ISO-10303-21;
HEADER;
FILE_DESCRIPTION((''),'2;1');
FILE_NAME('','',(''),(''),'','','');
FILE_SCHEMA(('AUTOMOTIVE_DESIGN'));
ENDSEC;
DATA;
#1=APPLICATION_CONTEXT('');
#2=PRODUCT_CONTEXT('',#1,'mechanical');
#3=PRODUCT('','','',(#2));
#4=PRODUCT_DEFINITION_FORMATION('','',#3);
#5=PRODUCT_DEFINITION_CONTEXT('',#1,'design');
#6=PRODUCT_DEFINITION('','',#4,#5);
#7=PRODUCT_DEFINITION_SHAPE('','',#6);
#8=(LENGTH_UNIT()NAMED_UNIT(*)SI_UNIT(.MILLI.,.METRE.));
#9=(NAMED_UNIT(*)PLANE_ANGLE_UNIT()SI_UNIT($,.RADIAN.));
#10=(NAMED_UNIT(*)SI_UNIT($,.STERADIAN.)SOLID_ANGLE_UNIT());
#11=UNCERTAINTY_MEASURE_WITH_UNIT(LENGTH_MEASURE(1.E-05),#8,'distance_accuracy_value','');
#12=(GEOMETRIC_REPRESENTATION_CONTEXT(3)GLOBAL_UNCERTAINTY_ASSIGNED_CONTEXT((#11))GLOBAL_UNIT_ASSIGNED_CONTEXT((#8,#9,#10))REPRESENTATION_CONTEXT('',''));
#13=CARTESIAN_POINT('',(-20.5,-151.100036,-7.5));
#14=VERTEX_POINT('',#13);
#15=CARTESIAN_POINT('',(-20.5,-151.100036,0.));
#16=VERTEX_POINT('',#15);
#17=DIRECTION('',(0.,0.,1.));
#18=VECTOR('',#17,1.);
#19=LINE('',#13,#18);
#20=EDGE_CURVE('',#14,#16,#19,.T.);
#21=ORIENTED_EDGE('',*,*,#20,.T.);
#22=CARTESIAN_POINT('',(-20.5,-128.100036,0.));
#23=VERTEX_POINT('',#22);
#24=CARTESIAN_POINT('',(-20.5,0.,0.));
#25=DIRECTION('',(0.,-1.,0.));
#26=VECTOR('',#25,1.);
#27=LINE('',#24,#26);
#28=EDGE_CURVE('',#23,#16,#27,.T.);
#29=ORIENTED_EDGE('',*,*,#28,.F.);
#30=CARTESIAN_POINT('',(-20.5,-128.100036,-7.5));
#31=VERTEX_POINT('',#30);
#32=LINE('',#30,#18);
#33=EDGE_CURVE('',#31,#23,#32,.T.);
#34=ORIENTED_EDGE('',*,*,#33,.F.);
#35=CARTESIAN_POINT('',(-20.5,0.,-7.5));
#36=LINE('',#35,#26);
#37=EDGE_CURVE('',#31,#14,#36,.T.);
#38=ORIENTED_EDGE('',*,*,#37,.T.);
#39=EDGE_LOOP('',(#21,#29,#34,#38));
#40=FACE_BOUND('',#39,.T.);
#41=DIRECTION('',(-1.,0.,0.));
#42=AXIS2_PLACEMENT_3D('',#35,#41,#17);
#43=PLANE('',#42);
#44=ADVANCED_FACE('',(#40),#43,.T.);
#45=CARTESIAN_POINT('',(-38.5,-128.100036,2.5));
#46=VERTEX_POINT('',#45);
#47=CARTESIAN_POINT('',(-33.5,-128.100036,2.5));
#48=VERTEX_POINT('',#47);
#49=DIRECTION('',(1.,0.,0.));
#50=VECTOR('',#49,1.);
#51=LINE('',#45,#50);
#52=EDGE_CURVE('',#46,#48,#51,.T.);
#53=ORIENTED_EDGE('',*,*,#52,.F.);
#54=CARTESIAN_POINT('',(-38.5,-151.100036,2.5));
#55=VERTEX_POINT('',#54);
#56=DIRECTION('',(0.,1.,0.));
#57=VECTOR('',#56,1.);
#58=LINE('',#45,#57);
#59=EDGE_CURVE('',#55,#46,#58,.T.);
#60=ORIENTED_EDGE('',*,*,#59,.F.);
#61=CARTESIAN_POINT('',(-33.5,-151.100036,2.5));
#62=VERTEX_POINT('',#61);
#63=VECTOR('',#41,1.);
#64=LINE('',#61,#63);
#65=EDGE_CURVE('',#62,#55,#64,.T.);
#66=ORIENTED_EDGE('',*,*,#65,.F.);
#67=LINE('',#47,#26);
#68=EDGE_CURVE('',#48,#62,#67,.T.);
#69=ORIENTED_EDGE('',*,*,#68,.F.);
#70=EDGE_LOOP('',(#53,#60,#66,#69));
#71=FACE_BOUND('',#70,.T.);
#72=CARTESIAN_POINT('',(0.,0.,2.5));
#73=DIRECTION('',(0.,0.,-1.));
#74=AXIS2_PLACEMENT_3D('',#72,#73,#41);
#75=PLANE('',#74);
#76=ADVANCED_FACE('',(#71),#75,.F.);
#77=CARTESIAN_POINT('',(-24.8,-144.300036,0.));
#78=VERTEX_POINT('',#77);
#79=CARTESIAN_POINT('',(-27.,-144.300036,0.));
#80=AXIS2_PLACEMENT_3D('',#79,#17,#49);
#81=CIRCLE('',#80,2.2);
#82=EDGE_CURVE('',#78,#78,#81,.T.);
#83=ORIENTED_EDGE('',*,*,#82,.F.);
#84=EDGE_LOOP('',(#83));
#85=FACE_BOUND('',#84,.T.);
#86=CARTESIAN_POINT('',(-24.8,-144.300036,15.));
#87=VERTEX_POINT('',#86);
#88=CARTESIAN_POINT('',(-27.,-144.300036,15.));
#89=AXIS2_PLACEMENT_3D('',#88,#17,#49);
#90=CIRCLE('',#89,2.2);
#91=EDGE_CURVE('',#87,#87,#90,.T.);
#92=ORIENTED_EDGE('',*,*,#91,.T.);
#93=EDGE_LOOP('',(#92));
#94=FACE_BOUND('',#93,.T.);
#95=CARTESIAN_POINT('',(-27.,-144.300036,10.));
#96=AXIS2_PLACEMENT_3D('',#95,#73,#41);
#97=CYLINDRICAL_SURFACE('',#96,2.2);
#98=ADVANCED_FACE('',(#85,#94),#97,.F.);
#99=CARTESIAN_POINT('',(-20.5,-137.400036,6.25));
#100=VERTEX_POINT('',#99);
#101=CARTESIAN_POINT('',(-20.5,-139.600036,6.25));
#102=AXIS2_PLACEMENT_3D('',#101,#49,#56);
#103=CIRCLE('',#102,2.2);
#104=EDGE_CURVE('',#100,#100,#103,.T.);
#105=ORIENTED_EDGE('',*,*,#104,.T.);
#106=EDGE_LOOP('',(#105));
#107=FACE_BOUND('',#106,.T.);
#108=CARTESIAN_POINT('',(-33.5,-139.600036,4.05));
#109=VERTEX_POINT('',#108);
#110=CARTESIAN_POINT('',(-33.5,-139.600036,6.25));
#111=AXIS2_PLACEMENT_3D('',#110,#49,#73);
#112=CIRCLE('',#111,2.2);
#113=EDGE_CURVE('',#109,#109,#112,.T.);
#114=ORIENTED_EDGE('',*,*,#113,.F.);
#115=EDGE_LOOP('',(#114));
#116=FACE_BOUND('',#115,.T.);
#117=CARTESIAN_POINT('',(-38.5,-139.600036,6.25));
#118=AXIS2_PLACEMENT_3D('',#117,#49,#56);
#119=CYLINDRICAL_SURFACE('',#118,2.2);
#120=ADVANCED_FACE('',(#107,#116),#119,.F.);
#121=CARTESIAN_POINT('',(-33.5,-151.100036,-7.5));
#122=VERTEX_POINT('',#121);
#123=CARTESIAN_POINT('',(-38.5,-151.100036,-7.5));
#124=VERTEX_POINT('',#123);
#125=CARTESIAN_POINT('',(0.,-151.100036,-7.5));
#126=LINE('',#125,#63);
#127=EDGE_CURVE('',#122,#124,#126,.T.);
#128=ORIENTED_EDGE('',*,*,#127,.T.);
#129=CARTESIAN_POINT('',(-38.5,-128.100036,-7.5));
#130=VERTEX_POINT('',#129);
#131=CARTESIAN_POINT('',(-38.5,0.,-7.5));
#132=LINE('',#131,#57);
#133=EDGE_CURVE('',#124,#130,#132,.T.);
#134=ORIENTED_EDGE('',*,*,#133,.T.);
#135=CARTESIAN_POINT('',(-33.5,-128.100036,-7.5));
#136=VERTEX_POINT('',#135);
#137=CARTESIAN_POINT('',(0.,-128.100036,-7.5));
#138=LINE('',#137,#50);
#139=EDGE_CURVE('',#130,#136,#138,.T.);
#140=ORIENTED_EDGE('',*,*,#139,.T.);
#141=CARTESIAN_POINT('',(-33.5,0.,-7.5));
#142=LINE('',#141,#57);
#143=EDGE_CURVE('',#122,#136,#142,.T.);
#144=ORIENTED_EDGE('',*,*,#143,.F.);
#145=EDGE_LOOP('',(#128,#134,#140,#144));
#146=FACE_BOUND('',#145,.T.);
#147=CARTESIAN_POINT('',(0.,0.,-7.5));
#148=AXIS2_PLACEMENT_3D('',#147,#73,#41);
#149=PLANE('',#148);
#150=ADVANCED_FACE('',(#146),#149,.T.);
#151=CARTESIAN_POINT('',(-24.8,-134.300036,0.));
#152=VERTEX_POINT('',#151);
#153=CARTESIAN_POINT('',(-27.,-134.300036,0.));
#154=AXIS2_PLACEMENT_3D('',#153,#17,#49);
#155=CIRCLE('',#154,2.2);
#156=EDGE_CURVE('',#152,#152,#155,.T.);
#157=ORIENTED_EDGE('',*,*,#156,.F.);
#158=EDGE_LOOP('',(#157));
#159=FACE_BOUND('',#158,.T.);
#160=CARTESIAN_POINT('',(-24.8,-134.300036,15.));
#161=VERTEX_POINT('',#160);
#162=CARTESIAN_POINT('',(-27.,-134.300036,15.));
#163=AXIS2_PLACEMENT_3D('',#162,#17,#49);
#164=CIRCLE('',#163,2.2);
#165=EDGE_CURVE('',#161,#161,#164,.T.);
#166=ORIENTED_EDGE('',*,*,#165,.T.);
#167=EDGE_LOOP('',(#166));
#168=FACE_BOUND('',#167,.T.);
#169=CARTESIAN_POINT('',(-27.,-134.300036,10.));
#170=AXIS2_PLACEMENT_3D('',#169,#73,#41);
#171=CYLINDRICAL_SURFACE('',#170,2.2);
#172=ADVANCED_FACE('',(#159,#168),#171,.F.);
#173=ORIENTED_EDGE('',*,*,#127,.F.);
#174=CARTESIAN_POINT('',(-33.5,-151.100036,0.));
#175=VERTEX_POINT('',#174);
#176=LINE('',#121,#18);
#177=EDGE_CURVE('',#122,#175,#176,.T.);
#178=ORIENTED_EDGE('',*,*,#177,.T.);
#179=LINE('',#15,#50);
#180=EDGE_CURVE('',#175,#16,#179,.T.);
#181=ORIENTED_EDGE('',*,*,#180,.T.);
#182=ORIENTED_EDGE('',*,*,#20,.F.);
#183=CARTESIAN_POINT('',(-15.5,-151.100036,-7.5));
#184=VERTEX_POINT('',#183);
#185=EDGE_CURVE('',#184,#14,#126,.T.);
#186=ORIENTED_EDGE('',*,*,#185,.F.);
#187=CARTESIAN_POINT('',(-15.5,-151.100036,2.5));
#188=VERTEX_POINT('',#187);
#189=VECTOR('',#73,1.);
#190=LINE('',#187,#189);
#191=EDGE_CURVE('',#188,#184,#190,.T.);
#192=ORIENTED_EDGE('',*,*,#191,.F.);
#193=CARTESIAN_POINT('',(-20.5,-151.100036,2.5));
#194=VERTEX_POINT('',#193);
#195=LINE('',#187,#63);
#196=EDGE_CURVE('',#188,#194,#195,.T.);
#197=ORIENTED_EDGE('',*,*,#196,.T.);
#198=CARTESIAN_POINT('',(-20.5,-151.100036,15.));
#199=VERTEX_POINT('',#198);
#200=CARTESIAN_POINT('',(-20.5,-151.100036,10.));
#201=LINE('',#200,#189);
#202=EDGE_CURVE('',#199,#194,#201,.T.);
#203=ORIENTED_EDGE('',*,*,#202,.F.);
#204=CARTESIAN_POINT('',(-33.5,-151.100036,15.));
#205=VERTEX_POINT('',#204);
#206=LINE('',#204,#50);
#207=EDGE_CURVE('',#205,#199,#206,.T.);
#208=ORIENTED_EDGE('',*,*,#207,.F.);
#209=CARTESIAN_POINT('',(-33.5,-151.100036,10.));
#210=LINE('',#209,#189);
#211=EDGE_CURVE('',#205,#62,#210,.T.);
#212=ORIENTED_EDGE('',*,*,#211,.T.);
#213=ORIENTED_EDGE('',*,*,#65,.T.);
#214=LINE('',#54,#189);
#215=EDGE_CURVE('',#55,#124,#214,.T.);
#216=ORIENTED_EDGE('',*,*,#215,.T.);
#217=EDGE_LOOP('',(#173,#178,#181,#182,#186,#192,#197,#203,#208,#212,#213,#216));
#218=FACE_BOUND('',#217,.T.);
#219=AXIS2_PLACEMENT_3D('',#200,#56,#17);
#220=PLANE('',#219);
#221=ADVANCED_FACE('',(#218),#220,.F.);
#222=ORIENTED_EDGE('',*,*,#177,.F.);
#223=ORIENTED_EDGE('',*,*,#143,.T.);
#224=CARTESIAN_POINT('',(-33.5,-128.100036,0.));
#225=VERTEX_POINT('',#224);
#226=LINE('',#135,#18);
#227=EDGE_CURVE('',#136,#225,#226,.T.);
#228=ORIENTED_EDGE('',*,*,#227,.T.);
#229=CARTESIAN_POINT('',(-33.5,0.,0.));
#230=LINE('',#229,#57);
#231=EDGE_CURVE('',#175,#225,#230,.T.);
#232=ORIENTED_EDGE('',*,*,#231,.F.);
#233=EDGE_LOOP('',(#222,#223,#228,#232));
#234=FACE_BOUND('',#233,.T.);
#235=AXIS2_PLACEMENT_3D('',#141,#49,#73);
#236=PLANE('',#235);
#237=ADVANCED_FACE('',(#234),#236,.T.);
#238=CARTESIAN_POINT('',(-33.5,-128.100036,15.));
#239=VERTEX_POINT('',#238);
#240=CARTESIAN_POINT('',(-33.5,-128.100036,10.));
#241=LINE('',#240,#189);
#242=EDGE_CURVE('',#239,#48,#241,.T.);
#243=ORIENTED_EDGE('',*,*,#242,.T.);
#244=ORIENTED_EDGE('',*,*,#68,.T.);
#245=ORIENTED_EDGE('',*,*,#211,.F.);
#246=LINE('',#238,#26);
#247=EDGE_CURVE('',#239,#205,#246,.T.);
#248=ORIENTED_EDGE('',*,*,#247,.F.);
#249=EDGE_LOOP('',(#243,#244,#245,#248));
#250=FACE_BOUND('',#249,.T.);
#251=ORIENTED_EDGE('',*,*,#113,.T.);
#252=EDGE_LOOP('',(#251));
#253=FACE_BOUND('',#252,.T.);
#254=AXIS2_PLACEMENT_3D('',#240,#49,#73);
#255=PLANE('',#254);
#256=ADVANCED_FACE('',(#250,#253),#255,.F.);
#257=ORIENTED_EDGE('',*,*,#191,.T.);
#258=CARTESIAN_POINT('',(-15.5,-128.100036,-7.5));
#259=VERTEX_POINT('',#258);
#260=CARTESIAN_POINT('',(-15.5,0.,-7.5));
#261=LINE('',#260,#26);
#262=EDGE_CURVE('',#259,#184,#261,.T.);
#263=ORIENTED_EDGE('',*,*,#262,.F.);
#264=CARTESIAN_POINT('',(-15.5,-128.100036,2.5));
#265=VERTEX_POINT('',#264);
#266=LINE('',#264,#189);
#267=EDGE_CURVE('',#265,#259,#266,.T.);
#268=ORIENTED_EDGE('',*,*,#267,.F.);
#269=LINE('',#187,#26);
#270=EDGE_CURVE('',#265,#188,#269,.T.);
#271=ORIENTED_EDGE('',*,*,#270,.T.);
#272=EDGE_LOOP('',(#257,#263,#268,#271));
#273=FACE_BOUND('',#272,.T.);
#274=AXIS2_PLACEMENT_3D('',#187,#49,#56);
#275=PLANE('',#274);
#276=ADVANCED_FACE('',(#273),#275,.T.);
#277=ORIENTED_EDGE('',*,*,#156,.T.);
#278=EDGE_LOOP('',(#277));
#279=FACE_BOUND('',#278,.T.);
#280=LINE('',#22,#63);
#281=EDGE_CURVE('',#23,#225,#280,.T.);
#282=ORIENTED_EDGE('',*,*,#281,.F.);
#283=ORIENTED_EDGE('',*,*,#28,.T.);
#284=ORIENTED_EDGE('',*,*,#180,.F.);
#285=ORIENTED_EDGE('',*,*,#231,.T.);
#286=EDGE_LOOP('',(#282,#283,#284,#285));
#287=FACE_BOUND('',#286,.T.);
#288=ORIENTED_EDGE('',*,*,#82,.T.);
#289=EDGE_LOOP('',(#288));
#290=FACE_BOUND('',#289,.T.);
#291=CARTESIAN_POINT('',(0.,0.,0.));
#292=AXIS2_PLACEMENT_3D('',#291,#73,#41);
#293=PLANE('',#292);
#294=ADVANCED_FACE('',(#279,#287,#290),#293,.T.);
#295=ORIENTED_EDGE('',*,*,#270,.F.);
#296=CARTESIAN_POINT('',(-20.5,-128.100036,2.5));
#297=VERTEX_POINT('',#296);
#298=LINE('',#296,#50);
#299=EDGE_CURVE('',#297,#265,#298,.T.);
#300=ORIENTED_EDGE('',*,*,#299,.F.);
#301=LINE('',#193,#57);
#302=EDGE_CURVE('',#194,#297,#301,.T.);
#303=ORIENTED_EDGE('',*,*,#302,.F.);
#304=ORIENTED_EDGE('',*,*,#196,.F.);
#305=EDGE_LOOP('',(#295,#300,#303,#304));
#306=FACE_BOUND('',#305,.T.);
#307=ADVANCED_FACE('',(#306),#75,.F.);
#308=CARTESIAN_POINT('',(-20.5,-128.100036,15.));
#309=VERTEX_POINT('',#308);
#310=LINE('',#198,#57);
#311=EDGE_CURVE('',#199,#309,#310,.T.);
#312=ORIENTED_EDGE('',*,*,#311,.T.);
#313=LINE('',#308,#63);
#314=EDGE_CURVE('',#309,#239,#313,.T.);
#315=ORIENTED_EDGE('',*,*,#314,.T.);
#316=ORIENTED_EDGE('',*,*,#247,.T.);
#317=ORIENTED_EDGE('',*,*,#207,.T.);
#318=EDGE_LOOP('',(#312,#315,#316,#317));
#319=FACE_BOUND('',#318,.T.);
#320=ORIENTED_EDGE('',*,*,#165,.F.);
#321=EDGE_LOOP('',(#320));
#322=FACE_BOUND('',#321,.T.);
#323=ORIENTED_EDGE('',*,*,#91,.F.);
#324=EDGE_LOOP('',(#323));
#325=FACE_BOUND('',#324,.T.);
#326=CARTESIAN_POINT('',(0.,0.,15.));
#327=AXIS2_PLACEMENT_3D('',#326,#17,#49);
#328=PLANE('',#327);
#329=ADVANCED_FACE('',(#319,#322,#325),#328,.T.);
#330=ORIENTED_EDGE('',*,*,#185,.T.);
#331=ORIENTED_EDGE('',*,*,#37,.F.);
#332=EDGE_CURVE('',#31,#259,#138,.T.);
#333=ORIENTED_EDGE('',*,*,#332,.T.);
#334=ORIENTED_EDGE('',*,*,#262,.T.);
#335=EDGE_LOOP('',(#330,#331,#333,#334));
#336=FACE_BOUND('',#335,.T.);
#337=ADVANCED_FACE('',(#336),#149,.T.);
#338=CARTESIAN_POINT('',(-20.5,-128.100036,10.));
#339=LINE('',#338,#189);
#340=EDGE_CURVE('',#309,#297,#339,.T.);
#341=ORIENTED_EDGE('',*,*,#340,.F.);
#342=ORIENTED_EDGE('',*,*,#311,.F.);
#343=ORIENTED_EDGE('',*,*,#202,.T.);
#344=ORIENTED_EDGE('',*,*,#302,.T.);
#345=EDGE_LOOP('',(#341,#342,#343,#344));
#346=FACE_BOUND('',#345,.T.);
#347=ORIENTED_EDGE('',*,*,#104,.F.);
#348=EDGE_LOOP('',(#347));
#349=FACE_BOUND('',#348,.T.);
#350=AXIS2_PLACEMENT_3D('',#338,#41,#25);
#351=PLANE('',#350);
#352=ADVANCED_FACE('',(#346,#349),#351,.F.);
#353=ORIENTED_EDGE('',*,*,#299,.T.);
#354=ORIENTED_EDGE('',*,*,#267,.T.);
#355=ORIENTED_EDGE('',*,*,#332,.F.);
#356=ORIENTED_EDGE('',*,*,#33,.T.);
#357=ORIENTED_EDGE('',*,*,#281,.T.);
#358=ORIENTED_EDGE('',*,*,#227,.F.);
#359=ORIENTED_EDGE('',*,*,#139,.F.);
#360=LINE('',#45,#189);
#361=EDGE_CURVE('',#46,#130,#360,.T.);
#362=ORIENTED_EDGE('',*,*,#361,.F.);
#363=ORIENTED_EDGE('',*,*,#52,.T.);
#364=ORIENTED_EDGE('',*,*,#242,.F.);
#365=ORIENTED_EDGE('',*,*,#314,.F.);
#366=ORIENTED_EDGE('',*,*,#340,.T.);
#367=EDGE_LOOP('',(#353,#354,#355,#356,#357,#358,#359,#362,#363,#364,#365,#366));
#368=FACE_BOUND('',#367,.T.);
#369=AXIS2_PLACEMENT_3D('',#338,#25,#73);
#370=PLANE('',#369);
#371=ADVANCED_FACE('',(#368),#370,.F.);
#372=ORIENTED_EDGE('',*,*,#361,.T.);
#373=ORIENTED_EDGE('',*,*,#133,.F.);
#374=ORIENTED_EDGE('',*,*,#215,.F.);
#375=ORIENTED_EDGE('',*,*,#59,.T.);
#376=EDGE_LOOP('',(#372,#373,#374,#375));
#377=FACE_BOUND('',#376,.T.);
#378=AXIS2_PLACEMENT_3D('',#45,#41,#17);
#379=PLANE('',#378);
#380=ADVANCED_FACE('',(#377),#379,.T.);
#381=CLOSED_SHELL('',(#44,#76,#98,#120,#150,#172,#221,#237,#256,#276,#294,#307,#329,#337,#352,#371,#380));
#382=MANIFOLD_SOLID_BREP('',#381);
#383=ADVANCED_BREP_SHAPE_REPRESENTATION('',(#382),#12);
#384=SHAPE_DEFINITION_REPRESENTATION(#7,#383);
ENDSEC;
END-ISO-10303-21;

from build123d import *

# Parameters (mm, degrees)
SKETCH2_W           = 13
SKETCH2_H           = 23
SKETCH2_R           = 2.2
BOSS_EXTRUDE1_DEPTH = 10
SKETCH5_W           = 5
SKETCH5_H           = 23
BOSS_EXTRUDE2_DEPTH = 2.5
SKETCH6_W           = 5
SKETCH6_H           = 23
BOSS_EXTRUDE3_DEPTH = 7.5
CUT_EXTRUDE2_DEPTH  = 153.496625691
SKETCH8_W           = 13
SKETCH8_H           = 23
SKETCH8_R           = 2.2
BOSS_EXTRUDE4_DEPTH = 5


with BuildPart() as part:
    # Sketch2 → Boss-Extrude1 (new body)
    with BuildSketch(Plane.XY):
        with Locations((-27, -139.600035894)):
            Rectangle(SKETCH2_W, SKETCH2_H)
        with Locations((-27, -144.300035894)):
            Circle(SKETCH2_R, mode=Mode.SUBTRACT)
        with Locations((-27, -134.300035894)):
            Circle(SKETCH2_R, mode=Mode.SUBTRACT)
    extrude(amount=BOSS_EXTRUDE1_DEPTH)

    # Sketch5 → Boss-Extrude2 (add)
    with BuildSketch(Plane(origin=(0, 0, 0), x_dir=(-1, 0, 0), z_dir=(0, 0, -1))):
        with Locations((18, -139.600035894)):
            Rectangle(SKETCH5_W, SKETCH5_H)
        with Locations((36, -139.600035894)):
            Rectangle(SKETCH5_W, SKETCH5_H)
    extrude(amount=-BOSS_EXTRUDE2_DEPTH)

    # Sketch6 → Boss-Extrude3 (add)
    with BuildSketch(Plane(origin=(0, 0, 0), x_dir=(-1, 0, 0), z_dir=(0, 0, -1))):
        with Locations((18, -139.600035894)):
            Rectangle(SKETCH6_W, SKETCH6_H)
        with Locations((36, -139.600035894)):
            Rectangle(SKETCH6_W, SKETCH6_H)
    extrude(amount=BOSS_EXTRUDE3_DEPTH)

    # Sketch7 → Cut-Extrude2 (cut, through all)
    with BuildSketch(Plane(origin=(-20.5, 0, 0), x_dir=(0, 0, -1), z_dir=(1, 0, 0))):
        with BuildLine():
            ThreePointArc((-6.25, -137.400035894), (-8.45, -139.600035894), (-6.25, -141.800035894))
            Line((-6.25, -141.800035894), (-6.25, -137.400035894))
        make_face()
        with BuildLine():
            Line((-6.25, -137.400035894), (-6.25, -141.800035894))
            ThreePointArc((-6.25, -141.800035894), (-4.694365081, -141.155670812), (-4.05, -139.600035894))
            ThreePointArc((-4.05, -139.600035894), (-4.694365081, -138.044400975), (-6.25, -137.400035894))
        make_face()
    extrude(amount=-CUT_EXTRUDE2_DEPTH, mode=Mode.SUBTRACT)

    # Sketch8 → Boss-Extrude4 (add)
    with BuildSketch(Plane.XY.offset(10)):
        with Locations((-27, -139.600035894)):
            Rectangle(SKETCH8_W, SKETCH8_H)
        with Locations((-27, -134.300035894)):
            Circle(SKETCH8_R, mode=Mode.SUBTRACT)
        with Locations((-27, -144.300035894)):
            Circle(SKETCH8_R, mode=Mode.SUBTRACT)
    extrude(amount=BOSS_EXTRUDE4_DEPTH)


solid = part.part
